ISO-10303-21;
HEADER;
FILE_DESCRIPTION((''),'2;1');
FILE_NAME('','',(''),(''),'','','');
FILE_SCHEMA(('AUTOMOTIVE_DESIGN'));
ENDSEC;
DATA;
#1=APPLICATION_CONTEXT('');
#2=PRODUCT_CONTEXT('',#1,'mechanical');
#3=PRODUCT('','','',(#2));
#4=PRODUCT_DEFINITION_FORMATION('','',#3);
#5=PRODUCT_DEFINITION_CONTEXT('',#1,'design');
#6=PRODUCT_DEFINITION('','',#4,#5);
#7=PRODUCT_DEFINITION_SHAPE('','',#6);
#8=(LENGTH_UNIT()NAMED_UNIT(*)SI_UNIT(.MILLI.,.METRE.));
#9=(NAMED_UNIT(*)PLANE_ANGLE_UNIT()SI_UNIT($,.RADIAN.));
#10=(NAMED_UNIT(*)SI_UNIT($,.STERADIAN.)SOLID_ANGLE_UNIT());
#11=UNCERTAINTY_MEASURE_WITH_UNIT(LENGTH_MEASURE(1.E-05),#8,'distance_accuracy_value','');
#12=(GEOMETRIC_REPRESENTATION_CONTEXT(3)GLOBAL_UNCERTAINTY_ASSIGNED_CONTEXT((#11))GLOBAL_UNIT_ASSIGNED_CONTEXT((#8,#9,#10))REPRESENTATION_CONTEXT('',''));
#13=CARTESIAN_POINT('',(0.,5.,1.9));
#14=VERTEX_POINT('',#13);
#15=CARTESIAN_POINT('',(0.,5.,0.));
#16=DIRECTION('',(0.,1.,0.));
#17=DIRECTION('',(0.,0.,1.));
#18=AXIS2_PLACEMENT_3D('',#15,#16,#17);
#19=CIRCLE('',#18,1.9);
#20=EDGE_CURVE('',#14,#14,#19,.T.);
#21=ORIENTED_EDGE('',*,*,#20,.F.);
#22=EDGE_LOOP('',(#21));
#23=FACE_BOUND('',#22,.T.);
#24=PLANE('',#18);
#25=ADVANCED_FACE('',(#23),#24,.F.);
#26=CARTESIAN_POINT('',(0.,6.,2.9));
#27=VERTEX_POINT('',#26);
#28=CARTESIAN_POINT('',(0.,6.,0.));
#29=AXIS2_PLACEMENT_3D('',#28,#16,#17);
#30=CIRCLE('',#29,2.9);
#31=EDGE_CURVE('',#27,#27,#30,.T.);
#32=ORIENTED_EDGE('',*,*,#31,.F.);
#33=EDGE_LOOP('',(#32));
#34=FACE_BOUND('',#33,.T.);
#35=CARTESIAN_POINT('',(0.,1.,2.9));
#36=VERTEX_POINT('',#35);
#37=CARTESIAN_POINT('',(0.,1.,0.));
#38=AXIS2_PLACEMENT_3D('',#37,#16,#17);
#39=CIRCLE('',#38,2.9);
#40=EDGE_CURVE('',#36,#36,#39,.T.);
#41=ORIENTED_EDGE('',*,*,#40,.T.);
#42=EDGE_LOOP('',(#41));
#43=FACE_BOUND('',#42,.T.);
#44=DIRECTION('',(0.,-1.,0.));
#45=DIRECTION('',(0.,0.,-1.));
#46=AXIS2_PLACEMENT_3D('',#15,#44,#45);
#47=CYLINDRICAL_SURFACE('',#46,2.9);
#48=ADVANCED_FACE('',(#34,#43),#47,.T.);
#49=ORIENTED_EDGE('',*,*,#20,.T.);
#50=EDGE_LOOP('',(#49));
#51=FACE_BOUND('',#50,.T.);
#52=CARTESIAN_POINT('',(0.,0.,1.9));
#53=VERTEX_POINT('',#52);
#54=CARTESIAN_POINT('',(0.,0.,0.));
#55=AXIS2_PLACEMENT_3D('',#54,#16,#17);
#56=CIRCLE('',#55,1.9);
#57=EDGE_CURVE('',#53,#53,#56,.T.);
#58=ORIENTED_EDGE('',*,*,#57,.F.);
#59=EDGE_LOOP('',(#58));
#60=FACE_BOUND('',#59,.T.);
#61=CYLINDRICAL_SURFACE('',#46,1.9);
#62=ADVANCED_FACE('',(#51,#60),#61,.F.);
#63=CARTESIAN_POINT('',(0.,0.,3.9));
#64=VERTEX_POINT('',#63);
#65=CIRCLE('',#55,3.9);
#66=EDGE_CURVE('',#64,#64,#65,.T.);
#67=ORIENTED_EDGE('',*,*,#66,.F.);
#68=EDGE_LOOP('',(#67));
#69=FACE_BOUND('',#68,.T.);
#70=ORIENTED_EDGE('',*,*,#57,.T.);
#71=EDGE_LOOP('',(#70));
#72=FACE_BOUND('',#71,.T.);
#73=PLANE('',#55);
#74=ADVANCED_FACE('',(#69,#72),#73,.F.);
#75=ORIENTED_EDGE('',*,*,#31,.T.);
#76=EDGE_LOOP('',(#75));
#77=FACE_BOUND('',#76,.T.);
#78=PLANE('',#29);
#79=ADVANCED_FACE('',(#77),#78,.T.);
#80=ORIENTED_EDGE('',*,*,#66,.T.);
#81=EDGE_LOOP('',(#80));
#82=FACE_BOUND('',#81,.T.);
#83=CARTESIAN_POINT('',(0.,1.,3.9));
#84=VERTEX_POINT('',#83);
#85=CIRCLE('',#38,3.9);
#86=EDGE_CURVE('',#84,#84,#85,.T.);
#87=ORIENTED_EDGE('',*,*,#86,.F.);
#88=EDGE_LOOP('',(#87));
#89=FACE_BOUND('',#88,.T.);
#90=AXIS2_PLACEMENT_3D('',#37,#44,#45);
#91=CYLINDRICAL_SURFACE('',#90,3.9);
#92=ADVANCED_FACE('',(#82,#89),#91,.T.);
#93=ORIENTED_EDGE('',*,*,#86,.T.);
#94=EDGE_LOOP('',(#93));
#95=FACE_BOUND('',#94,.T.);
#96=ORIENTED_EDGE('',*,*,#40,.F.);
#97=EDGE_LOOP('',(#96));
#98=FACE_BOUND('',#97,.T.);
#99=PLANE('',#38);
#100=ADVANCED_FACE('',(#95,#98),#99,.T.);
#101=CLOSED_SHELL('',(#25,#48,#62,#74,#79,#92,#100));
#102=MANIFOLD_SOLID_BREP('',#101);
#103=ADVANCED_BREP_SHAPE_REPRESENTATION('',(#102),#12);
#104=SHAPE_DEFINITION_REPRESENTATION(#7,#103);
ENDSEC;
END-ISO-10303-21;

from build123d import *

# Parameters (mm, degrees)
SKETCH_1_R      = 2.9
SKETCH_1_R_2    = 1.9
EXTRUDE_1_DEPTH = 5
EXTRUDE_START   = 5
SKETCH_1_7_R    = 2.9
EXTRUDE_2_DEPTH = 1
SKETCH_1_8_R    = 3.9
SKETCH_1_8_R_2  = 1.9
EXTRUDE_3_DEPTH = 1


with BuildPart() as part:
    # 草图1 → 凸台-拉伸1 (new body)
    with BuildSketch(Plane(origin=(0, 0, 0), x_dir=(1, 0, 0), z_dir=(0, 1, 0))):
        with Locations(Location((0, 0, 0), (0, 0, 270))):
            Circle(SKETCH_1_R)
        with Locations(Location((0, 0, 0), (0, 0, 270))):
            Circle(SKETCH_1_R_2, mode=Mode.SUBTRACT)
    extrude(amount=EXTRUDE_1_DEPTH)

    # 草图1<7> → 凸台-拉伸2 (add)
    with BuildSketch(Plane(origin=(0, 0, 0), x_dir=(1, 0, 0), z_dir=(0, 1, 0)).offset(EXTRUDE_START)):
        with Locations(Location((0, 0, 0), (0, 0, 270))):
            Circle(SKETCH_1_7_R)
    extrude(amount=EXTRUDE_2_DEPTH)

    # 草图1<8> → 凸台-拉伸3 (add)
    with BuildSketch(Plane(origin=(0, 0, 0), x_dir=(1, 0, 0), z_dir=(0, 1, 0))):
        with Locations(Location((0, 0, 0), (0, 0, 270))):
            Circle(SKETCH_1_8_R)
        with Locations(Location((0, 0, 0), (0, 0, 270))):
            Circle(SKETCH_1_8_R_2, mode=Mode.SUBTRACT)
    extrude(amount=EXTRUDE_3_DEPTH)


solid = part.part
